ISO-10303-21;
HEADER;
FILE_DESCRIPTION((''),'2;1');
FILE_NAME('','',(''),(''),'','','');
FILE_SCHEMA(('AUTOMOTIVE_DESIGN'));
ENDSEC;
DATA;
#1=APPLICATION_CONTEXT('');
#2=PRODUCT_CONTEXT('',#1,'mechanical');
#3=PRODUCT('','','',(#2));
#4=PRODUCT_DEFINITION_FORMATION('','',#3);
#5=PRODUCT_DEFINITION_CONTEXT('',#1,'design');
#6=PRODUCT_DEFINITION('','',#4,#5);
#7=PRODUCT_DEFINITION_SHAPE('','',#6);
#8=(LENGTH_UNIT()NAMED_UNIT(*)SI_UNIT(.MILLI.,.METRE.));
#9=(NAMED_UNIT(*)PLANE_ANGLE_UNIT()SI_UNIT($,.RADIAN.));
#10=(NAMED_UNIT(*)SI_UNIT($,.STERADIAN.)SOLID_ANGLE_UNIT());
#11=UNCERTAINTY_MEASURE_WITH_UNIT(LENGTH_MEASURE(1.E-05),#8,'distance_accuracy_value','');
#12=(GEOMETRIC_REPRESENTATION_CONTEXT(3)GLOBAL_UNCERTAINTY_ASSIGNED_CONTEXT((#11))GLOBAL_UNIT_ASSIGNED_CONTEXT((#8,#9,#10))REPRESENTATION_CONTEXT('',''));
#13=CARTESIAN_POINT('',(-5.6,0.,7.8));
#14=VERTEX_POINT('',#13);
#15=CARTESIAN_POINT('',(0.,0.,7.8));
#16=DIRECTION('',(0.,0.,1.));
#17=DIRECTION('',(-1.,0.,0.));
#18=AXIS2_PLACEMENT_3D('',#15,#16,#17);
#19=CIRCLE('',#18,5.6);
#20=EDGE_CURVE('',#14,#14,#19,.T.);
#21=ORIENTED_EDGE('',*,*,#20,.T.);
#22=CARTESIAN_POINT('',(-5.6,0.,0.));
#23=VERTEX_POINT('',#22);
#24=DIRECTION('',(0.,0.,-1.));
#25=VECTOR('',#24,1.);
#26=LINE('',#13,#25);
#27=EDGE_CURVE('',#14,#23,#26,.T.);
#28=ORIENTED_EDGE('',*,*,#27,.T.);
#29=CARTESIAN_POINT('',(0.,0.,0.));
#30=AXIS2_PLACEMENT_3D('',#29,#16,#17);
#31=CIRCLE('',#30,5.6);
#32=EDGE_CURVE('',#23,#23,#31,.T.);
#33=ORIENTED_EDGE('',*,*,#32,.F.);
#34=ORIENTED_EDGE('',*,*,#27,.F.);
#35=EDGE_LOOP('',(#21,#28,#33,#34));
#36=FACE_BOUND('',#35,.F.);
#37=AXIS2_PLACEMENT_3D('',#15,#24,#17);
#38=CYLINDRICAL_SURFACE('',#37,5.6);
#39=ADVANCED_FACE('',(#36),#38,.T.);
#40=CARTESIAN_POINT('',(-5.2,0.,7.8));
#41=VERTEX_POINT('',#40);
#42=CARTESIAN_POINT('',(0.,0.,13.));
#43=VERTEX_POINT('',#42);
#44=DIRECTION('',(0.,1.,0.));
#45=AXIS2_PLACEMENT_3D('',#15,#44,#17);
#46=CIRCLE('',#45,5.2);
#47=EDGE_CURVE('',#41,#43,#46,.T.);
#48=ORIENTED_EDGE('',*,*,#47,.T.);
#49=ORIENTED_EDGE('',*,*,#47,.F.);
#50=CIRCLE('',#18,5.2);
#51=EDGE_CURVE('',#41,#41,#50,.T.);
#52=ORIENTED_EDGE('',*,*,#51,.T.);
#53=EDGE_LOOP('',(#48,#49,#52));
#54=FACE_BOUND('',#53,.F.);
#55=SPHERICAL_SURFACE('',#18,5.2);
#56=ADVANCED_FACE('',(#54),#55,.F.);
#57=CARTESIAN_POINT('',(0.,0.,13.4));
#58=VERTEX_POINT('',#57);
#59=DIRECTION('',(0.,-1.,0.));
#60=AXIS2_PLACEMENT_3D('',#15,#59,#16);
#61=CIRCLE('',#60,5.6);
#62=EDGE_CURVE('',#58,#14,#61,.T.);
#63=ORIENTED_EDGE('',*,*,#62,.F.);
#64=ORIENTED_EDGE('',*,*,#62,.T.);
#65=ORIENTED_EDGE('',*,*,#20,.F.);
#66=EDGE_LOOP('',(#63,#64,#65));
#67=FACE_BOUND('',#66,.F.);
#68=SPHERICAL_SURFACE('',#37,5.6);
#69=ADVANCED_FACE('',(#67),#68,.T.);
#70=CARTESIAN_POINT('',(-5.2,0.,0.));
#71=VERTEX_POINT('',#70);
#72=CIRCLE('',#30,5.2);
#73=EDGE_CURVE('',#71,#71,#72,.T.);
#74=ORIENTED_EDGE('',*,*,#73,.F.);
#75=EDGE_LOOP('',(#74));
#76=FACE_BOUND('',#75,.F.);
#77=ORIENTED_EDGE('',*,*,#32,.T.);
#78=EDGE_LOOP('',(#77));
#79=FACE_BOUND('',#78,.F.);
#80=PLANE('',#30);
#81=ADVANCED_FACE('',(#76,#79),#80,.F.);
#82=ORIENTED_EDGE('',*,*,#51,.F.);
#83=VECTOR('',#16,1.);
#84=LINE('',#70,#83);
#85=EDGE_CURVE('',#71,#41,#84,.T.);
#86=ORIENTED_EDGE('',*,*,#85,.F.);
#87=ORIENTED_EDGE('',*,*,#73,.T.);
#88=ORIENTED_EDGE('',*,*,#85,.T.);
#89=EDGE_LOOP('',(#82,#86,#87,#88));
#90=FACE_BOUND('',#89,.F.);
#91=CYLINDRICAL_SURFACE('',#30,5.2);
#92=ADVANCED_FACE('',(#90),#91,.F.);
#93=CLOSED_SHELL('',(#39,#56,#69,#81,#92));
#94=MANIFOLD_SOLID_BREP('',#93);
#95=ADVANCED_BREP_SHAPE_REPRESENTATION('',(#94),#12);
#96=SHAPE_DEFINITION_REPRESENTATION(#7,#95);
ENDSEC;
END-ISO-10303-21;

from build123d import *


with BuildPart() as f1:
    # F0 (on Front) → F1 (revolve)
    with BuildSketch(Plane.XZ):
        with BuildLine():
            Line((-5.6, 0), (-5.2, 0))
            Line((-5.2, 0), (-5.2, 7.8))
            ThreePointArc((-5.2, 7.8), (-3.6769552622, 11.4769552622), (0, 13))
            Line((0, 13), (0, 13.4))
            ThreePointArc((0, 13.4), (-3.9597979746, 11.7597979746), (-5.6, 7.8))
            Line((-5.6, 7.8), (-5.6, 0))
        make_face()
    revolve(axis=Axis((0, 0, 9.5699511951), (0, 0, 1)))


solid = f1.part
